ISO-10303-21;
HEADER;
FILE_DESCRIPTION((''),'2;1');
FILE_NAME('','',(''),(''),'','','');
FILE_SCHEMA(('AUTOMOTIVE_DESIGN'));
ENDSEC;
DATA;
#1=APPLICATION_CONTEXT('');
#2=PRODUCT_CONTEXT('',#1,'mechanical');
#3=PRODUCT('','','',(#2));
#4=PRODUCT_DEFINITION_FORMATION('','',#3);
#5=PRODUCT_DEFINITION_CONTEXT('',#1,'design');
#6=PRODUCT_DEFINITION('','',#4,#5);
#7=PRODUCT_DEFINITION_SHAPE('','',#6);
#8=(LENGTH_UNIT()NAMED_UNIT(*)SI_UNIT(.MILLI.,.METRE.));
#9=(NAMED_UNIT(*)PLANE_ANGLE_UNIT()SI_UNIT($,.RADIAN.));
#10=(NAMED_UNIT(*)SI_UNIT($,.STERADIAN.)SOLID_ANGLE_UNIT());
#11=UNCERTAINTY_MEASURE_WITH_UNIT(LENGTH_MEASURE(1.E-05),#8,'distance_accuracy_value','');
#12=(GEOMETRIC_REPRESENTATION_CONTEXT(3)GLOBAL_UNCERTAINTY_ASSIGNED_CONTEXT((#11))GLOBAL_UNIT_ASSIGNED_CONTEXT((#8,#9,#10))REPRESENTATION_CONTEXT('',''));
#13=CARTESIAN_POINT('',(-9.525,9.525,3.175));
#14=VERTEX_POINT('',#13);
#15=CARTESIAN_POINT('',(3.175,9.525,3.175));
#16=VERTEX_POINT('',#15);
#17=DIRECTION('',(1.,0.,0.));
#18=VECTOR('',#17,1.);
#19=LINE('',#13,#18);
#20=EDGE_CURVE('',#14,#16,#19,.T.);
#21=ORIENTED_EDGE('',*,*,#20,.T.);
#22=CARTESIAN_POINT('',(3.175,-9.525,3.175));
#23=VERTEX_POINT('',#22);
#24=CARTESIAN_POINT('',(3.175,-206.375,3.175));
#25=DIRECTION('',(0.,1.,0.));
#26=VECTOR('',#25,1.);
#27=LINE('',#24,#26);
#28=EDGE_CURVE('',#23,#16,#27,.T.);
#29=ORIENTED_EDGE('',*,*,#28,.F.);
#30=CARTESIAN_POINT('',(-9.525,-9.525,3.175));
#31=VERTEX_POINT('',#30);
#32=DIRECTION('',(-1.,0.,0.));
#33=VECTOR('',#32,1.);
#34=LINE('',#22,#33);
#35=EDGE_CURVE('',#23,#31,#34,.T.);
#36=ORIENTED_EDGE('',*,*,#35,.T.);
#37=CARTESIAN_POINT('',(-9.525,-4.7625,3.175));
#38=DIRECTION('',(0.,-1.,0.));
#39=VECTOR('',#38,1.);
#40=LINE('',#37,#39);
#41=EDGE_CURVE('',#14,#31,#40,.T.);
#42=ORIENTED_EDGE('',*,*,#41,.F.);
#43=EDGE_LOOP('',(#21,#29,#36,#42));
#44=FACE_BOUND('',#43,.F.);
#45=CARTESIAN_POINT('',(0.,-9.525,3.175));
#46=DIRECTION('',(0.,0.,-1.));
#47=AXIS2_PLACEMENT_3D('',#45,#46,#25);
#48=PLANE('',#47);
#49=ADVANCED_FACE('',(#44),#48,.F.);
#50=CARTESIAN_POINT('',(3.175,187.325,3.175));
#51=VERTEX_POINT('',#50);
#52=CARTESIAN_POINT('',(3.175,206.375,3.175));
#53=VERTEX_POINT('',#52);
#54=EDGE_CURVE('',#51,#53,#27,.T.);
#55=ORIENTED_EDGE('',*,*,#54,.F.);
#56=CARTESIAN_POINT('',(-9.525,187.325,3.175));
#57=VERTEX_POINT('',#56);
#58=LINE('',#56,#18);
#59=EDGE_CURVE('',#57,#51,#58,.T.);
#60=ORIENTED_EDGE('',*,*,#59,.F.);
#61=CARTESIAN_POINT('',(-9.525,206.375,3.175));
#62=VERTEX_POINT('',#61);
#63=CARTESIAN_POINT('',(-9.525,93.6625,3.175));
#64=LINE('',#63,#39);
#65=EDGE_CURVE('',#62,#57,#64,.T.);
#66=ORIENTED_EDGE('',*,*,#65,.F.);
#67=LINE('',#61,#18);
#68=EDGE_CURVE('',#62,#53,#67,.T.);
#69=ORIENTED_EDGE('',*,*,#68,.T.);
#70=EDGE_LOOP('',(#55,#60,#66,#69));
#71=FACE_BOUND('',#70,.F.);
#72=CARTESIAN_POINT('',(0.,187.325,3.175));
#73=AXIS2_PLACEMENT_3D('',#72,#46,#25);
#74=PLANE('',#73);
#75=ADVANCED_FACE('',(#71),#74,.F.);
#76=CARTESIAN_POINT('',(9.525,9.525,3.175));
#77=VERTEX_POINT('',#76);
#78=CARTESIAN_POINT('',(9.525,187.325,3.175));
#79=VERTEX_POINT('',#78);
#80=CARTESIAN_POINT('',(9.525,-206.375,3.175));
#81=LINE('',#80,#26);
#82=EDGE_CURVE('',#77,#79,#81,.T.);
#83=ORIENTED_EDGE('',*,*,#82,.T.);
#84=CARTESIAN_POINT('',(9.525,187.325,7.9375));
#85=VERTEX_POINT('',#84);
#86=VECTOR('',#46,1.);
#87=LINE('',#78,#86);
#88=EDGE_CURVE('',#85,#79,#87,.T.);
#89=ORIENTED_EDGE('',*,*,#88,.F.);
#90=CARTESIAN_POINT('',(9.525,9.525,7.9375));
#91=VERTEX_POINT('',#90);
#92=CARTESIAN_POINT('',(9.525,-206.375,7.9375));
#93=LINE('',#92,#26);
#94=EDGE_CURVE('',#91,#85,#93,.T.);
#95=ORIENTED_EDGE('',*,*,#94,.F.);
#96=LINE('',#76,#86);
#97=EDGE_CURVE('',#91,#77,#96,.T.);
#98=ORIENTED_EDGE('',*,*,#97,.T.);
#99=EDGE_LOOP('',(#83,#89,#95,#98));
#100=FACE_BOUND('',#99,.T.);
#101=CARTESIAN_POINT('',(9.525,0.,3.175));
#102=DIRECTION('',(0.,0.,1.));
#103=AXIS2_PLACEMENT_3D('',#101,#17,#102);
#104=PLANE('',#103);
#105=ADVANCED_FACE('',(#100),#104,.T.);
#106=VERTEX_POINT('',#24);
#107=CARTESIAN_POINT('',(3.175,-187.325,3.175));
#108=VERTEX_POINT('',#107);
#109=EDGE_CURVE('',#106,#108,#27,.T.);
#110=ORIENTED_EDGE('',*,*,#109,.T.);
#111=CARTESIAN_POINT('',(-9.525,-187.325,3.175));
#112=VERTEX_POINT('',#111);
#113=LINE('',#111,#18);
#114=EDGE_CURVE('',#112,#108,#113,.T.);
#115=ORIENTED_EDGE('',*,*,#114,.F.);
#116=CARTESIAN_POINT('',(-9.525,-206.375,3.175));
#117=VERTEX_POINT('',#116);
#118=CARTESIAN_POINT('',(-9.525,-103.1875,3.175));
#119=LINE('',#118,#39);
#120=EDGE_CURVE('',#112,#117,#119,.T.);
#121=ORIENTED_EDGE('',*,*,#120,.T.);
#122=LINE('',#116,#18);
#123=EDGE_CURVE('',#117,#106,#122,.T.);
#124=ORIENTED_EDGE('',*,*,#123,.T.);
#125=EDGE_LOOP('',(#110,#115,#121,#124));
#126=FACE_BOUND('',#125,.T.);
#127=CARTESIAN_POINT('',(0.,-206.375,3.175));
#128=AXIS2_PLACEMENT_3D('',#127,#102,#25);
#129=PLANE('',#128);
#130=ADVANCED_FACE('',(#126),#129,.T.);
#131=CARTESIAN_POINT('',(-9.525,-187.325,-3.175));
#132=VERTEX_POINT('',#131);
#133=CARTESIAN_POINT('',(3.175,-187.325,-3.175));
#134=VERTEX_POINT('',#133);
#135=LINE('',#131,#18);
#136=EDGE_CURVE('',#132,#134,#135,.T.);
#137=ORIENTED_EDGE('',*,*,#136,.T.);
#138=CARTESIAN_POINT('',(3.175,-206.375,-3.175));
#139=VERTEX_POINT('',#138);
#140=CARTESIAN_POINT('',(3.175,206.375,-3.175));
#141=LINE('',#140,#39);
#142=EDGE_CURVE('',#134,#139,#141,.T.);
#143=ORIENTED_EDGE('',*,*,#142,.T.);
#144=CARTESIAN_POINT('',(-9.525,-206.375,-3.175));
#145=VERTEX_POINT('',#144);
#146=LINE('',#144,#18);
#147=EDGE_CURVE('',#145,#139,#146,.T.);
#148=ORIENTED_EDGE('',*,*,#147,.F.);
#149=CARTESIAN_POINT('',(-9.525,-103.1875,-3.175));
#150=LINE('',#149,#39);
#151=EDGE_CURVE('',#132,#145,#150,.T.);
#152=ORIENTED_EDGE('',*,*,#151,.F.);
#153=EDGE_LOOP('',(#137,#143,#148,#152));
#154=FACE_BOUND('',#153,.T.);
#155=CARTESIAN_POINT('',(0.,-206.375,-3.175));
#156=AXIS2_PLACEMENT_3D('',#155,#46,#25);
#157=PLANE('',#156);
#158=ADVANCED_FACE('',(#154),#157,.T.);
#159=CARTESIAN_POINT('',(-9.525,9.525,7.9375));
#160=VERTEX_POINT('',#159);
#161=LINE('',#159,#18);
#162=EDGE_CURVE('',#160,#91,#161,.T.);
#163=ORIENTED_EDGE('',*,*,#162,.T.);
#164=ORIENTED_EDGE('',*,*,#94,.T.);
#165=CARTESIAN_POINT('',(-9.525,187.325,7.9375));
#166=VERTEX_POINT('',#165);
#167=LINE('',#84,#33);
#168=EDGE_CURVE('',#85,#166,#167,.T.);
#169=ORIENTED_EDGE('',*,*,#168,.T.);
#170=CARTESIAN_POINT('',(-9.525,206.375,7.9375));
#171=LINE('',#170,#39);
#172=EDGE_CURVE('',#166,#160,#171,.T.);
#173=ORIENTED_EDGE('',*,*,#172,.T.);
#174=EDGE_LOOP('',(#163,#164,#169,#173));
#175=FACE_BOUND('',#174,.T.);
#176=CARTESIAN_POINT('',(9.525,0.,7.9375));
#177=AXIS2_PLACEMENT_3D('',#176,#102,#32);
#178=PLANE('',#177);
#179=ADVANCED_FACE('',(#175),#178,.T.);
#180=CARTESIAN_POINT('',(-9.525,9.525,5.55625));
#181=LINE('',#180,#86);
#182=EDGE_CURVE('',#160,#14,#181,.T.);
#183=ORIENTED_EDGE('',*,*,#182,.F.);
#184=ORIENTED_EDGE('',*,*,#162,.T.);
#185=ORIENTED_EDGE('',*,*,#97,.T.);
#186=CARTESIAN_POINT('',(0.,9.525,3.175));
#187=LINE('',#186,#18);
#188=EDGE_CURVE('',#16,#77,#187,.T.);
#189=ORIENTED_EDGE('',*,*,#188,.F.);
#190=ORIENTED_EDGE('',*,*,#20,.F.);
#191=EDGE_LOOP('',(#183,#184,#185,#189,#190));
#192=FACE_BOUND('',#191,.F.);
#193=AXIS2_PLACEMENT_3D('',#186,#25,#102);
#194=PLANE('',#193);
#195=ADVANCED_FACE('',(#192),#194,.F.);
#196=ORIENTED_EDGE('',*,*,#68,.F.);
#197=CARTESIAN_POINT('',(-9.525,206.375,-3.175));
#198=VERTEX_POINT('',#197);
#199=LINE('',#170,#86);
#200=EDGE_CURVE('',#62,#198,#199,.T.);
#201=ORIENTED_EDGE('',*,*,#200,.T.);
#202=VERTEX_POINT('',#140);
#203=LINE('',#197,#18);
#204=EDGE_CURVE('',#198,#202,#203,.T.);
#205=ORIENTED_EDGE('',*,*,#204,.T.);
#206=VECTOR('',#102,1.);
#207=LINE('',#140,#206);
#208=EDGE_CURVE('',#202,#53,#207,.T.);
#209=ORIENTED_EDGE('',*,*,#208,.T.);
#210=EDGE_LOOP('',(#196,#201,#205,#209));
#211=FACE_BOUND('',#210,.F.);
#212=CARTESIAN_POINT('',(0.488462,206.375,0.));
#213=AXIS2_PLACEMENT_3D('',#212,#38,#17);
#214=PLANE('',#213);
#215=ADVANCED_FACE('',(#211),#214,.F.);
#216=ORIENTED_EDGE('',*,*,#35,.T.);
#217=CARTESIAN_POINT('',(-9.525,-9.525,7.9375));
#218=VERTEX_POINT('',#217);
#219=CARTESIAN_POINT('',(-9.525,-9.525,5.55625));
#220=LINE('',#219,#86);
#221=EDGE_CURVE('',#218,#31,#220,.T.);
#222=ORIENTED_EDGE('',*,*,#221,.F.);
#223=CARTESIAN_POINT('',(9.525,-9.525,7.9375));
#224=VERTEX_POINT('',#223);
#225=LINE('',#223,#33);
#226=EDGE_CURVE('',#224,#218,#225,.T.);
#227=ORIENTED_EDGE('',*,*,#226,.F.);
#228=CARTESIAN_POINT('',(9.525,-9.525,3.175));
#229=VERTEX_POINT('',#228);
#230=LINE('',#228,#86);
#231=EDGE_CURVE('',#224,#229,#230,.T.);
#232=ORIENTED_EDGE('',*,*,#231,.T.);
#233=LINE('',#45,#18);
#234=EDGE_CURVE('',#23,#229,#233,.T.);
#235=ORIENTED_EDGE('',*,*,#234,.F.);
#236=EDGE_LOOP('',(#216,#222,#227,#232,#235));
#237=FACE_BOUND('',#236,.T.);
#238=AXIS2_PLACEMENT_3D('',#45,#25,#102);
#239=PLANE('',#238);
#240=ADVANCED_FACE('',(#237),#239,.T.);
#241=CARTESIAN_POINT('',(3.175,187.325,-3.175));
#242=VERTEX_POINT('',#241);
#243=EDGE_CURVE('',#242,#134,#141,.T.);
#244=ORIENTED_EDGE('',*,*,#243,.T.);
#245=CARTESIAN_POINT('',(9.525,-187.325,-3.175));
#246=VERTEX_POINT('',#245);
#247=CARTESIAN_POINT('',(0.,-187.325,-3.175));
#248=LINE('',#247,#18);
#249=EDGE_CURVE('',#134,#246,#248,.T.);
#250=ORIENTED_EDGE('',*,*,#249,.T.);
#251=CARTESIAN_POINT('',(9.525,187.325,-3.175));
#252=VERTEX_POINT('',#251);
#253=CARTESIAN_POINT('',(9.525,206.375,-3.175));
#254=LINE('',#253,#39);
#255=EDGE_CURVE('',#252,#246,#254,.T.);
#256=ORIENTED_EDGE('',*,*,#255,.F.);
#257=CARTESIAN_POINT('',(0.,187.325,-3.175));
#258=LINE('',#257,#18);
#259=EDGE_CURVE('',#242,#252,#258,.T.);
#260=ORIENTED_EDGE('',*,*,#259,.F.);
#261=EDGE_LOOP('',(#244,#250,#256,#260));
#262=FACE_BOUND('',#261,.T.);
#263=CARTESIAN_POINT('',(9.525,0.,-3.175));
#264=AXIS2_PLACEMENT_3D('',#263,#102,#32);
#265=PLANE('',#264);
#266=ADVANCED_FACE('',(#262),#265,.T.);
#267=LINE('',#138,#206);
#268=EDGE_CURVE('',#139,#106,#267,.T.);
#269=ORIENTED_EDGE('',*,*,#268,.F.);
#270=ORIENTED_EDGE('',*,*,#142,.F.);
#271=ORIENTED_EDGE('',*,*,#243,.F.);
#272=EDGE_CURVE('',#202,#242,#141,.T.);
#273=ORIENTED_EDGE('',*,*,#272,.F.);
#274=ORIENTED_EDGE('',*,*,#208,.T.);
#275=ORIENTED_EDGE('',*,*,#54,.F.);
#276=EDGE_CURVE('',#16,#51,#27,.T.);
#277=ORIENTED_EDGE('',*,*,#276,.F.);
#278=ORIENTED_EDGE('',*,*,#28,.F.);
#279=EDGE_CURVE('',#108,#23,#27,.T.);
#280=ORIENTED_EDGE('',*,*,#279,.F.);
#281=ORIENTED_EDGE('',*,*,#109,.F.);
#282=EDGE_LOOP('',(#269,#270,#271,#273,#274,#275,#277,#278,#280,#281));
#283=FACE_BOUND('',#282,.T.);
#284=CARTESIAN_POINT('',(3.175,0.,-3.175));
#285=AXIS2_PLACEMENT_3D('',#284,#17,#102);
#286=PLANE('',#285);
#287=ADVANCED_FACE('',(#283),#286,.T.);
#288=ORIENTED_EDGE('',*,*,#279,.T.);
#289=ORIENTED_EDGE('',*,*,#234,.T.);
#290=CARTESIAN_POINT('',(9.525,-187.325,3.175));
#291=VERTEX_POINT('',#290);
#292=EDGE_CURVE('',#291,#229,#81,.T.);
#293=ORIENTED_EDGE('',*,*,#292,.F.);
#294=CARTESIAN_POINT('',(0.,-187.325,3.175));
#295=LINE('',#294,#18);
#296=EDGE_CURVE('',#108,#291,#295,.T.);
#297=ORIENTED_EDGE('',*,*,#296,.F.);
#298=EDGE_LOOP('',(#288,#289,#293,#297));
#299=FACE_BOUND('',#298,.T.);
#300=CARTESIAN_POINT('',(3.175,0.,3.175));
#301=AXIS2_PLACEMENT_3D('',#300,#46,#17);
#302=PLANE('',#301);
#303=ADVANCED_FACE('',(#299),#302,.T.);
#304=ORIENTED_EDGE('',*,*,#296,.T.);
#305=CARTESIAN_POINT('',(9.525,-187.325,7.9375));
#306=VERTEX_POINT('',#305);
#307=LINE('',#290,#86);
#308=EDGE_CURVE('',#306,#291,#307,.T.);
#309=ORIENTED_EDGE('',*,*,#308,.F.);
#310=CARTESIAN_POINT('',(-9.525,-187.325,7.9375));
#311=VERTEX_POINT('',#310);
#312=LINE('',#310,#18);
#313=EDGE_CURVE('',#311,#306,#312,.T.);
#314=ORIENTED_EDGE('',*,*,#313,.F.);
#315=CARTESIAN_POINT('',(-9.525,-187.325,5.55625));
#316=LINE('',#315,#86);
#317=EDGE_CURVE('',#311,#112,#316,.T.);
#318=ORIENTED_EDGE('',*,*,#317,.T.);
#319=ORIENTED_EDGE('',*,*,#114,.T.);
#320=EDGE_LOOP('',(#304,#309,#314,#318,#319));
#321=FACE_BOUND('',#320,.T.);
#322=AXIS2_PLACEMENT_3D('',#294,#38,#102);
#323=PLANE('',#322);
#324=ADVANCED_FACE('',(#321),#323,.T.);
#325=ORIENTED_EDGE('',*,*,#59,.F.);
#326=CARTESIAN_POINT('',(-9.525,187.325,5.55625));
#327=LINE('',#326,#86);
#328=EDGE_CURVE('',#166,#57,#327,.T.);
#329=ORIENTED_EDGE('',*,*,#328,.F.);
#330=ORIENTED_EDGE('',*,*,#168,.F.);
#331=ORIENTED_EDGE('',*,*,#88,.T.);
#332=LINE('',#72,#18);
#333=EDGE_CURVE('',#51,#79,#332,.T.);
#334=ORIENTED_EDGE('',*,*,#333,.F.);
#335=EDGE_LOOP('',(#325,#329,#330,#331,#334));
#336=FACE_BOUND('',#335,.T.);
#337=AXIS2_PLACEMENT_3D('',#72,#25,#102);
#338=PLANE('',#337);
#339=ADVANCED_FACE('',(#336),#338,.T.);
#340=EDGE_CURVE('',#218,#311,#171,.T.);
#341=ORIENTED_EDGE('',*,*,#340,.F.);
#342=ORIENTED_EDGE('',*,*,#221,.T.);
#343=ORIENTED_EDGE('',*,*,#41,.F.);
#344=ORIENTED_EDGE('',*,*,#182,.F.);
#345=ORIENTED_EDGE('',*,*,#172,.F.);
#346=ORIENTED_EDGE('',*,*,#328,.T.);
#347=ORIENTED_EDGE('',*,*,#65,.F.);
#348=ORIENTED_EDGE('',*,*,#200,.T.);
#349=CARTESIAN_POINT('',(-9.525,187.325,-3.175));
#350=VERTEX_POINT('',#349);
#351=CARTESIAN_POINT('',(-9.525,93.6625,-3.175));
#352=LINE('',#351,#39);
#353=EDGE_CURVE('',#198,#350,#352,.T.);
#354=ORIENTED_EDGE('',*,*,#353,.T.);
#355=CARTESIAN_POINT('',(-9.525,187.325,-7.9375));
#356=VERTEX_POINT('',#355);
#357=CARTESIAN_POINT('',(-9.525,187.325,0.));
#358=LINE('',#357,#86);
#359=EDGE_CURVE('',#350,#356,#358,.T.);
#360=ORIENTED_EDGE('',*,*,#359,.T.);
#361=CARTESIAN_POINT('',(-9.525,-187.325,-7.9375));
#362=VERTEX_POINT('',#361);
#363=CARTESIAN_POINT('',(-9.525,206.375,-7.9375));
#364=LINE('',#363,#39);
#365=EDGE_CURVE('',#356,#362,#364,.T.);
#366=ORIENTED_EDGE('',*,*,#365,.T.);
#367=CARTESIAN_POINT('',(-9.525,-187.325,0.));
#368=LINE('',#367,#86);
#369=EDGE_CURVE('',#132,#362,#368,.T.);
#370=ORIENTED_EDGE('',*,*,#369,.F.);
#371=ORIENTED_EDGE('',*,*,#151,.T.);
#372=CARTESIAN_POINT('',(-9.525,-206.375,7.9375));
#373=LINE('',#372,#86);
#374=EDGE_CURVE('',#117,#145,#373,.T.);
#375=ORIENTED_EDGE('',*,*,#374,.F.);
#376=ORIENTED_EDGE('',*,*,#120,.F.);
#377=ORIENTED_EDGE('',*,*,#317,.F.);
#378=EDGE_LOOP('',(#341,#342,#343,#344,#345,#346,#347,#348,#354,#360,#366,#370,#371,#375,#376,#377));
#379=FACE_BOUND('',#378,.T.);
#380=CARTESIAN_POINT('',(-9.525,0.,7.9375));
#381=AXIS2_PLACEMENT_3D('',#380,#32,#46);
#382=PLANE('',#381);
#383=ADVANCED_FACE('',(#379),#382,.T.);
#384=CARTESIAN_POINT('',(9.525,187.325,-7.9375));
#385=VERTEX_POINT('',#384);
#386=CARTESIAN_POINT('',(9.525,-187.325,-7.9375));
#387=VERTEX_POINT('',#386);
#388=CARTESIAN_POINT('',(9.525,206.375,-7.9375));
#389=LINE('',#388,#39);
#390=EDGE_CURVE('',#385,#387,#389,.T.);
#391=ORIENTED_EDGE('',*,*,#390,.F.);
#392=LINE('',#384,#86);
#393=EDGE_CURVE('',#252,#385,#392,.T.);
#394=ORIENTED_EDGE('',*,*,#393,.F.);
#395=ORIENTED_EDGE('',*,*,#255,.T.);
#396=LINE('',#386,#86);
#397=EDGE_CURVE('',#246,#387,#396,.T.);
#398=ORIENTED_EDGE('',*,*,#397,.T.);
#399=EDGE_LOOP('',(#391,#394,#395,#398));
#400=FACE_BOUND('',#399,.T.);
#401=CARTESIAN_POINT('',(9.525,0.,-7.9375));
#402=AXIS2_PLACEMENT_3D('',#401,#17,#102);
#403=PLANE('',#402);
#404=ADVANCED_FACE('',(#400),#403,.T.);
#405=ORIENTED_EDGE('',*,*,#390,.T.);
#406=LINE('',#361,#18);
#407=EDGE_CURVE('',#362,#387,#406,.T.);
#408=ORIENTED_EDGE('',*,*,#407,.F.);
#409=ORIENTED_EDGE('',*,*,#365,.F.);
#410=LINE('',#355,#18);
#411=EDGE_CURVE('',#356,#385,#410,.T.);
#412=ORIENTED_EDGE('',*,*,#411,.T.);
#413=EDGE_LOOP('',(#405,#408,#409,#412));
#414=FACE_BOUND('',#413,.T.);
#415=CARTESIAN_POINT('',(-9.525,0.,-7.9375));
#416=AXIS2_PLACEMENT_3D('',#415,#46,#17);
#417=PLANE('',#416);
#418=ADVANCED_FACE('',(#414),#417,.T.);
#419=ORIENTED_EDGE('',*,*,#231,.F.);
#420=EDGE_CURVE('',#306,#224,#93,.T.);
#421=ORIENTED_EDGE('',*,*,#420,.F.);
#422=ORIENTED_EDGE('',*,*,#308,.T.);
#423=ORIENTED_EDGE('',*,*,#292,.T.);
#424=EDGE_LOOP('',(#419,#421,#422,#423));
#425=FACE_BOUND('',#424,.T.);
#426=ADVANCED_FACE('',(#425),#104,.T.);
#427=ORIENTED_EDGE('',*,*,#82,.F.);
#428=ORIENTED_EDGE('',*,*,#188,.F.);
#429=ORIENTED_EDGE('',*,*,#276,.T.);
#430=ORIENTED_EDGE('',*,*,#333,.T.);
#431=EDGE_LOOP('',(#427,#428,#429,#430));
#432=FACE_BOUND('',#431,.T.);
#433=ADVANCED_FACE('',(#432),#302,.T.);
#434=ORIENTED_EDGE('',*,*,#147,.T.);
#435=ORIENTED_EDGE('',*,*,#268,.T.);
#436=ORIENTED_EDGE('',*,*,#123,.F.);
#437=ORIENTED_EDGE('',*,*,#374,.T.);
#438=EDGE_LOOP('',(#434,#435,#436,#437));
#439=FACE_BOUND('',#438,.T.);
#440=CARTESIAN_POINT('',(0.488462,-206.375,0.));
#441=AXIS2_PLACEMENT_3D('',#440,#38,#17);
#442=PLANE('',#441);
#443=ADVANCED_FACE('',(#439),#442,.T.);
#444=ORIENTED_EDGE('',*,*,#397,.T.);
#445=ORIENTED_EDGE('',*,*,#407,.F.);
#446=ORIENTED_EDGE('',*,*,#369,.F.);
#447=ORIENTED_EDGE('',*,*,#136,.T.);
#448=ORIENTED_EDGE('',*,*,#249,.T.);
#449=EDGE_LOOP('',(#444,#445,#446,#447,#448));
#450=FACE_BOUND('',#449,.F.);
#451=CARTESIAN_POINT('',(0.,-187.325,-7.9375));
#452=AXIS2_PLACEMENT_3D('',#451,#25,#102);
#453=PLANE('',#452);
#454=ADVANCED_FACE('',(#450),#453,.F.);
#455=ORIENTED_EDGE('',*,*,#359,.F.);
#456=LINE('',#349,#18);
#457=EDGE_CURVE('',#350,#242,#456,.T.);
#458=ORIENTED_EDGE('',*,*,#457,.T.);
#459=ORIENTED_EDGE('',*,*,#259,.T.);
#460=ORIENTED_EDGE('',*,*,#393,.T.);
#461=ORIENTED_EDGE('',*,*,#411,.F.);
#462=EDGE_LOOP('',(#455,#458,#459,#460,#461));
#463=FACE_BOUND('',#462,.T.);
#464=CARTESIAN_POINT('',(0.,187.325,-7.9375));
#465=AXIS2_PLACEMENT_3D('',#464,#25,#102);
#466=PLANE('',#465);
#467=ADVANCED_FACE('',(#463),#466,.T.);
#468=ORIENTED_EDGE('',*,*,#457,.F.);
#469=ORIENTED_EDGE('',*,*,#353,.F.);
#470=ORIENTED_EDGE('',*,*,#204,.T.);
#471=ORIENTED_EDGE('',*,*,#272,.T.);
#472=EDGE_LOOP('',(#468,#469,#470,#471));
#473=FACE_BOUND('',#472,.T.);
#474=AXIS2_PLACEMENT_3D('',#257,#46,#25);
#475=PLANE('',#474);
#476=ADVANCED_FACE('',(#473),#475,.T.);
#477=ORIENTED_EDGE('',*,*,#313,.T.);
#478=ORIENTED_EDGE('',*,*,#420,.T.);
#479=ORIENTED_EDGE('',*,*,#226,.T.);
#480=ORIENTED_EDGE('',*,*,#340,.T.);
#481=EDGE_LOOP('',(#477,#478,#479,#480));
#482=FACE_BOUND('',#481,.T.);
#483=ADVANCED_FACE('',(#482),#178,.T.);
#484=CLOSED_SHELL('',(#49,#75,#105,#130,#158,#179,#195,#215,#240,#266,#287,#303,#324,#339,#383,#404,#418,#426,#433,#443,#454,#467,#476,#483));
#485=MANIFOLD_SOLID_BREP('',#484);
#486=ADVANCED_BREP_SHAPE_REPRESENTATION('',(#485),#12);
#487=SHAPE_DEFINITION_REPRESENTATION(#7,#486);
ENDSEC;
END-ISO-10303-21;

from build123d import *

# Parameters (mm, degrees)
F1_DEPTH      = 206.375
F2_W          = 19.05
F2_H          = 4.7625
F3_DEPTH      = 9.526
F3_DEPTH_BACK = 9.526


with BuildPart() as f1:
    # F0 (on Front) → F1 (new body, symmetric)
    with BuildSketch(Plane.XZ):
        Polygon((9.525, 7.9375), (-9.525, 7.9375), (-9.525, -7.9375), (9.525, -7.9375), (9.525, -3.175), (3.175, -3.175), (3.175, 3.175), (9.525, 3.175), align=None)
    extrude(amount=F1_DEPTH, both=True)

    # F2 (on Right) → F3 (cut, two sides)
    with BuildSketch(Plane.YZ) as f3_sk:
        with Locations((-196.85, 5.55625)):
            Rectangle(F2_W, F2_H)
        with Locations((-196.85, -5.55625)):
            Rectangle(F2_W, F2_H)
        with Locations((196.85, 5.55625)):
            Rectangle(F2_W, F2_H)
        with Locations((196.85, -5.55625)):
            Rectangle(F2_W, F2_H)
        with Locations((0, 5.55625)):
            Rectangle(F2_W, F2_H)
    extrude(amount=-F3_DEPTH, mode=Mode.SUBTRACT)
    extrude(f3_sk.sketch, amount=F3_DEPTH_BACK, mode=Mode.SUBTRACT)


solid = f1.part
